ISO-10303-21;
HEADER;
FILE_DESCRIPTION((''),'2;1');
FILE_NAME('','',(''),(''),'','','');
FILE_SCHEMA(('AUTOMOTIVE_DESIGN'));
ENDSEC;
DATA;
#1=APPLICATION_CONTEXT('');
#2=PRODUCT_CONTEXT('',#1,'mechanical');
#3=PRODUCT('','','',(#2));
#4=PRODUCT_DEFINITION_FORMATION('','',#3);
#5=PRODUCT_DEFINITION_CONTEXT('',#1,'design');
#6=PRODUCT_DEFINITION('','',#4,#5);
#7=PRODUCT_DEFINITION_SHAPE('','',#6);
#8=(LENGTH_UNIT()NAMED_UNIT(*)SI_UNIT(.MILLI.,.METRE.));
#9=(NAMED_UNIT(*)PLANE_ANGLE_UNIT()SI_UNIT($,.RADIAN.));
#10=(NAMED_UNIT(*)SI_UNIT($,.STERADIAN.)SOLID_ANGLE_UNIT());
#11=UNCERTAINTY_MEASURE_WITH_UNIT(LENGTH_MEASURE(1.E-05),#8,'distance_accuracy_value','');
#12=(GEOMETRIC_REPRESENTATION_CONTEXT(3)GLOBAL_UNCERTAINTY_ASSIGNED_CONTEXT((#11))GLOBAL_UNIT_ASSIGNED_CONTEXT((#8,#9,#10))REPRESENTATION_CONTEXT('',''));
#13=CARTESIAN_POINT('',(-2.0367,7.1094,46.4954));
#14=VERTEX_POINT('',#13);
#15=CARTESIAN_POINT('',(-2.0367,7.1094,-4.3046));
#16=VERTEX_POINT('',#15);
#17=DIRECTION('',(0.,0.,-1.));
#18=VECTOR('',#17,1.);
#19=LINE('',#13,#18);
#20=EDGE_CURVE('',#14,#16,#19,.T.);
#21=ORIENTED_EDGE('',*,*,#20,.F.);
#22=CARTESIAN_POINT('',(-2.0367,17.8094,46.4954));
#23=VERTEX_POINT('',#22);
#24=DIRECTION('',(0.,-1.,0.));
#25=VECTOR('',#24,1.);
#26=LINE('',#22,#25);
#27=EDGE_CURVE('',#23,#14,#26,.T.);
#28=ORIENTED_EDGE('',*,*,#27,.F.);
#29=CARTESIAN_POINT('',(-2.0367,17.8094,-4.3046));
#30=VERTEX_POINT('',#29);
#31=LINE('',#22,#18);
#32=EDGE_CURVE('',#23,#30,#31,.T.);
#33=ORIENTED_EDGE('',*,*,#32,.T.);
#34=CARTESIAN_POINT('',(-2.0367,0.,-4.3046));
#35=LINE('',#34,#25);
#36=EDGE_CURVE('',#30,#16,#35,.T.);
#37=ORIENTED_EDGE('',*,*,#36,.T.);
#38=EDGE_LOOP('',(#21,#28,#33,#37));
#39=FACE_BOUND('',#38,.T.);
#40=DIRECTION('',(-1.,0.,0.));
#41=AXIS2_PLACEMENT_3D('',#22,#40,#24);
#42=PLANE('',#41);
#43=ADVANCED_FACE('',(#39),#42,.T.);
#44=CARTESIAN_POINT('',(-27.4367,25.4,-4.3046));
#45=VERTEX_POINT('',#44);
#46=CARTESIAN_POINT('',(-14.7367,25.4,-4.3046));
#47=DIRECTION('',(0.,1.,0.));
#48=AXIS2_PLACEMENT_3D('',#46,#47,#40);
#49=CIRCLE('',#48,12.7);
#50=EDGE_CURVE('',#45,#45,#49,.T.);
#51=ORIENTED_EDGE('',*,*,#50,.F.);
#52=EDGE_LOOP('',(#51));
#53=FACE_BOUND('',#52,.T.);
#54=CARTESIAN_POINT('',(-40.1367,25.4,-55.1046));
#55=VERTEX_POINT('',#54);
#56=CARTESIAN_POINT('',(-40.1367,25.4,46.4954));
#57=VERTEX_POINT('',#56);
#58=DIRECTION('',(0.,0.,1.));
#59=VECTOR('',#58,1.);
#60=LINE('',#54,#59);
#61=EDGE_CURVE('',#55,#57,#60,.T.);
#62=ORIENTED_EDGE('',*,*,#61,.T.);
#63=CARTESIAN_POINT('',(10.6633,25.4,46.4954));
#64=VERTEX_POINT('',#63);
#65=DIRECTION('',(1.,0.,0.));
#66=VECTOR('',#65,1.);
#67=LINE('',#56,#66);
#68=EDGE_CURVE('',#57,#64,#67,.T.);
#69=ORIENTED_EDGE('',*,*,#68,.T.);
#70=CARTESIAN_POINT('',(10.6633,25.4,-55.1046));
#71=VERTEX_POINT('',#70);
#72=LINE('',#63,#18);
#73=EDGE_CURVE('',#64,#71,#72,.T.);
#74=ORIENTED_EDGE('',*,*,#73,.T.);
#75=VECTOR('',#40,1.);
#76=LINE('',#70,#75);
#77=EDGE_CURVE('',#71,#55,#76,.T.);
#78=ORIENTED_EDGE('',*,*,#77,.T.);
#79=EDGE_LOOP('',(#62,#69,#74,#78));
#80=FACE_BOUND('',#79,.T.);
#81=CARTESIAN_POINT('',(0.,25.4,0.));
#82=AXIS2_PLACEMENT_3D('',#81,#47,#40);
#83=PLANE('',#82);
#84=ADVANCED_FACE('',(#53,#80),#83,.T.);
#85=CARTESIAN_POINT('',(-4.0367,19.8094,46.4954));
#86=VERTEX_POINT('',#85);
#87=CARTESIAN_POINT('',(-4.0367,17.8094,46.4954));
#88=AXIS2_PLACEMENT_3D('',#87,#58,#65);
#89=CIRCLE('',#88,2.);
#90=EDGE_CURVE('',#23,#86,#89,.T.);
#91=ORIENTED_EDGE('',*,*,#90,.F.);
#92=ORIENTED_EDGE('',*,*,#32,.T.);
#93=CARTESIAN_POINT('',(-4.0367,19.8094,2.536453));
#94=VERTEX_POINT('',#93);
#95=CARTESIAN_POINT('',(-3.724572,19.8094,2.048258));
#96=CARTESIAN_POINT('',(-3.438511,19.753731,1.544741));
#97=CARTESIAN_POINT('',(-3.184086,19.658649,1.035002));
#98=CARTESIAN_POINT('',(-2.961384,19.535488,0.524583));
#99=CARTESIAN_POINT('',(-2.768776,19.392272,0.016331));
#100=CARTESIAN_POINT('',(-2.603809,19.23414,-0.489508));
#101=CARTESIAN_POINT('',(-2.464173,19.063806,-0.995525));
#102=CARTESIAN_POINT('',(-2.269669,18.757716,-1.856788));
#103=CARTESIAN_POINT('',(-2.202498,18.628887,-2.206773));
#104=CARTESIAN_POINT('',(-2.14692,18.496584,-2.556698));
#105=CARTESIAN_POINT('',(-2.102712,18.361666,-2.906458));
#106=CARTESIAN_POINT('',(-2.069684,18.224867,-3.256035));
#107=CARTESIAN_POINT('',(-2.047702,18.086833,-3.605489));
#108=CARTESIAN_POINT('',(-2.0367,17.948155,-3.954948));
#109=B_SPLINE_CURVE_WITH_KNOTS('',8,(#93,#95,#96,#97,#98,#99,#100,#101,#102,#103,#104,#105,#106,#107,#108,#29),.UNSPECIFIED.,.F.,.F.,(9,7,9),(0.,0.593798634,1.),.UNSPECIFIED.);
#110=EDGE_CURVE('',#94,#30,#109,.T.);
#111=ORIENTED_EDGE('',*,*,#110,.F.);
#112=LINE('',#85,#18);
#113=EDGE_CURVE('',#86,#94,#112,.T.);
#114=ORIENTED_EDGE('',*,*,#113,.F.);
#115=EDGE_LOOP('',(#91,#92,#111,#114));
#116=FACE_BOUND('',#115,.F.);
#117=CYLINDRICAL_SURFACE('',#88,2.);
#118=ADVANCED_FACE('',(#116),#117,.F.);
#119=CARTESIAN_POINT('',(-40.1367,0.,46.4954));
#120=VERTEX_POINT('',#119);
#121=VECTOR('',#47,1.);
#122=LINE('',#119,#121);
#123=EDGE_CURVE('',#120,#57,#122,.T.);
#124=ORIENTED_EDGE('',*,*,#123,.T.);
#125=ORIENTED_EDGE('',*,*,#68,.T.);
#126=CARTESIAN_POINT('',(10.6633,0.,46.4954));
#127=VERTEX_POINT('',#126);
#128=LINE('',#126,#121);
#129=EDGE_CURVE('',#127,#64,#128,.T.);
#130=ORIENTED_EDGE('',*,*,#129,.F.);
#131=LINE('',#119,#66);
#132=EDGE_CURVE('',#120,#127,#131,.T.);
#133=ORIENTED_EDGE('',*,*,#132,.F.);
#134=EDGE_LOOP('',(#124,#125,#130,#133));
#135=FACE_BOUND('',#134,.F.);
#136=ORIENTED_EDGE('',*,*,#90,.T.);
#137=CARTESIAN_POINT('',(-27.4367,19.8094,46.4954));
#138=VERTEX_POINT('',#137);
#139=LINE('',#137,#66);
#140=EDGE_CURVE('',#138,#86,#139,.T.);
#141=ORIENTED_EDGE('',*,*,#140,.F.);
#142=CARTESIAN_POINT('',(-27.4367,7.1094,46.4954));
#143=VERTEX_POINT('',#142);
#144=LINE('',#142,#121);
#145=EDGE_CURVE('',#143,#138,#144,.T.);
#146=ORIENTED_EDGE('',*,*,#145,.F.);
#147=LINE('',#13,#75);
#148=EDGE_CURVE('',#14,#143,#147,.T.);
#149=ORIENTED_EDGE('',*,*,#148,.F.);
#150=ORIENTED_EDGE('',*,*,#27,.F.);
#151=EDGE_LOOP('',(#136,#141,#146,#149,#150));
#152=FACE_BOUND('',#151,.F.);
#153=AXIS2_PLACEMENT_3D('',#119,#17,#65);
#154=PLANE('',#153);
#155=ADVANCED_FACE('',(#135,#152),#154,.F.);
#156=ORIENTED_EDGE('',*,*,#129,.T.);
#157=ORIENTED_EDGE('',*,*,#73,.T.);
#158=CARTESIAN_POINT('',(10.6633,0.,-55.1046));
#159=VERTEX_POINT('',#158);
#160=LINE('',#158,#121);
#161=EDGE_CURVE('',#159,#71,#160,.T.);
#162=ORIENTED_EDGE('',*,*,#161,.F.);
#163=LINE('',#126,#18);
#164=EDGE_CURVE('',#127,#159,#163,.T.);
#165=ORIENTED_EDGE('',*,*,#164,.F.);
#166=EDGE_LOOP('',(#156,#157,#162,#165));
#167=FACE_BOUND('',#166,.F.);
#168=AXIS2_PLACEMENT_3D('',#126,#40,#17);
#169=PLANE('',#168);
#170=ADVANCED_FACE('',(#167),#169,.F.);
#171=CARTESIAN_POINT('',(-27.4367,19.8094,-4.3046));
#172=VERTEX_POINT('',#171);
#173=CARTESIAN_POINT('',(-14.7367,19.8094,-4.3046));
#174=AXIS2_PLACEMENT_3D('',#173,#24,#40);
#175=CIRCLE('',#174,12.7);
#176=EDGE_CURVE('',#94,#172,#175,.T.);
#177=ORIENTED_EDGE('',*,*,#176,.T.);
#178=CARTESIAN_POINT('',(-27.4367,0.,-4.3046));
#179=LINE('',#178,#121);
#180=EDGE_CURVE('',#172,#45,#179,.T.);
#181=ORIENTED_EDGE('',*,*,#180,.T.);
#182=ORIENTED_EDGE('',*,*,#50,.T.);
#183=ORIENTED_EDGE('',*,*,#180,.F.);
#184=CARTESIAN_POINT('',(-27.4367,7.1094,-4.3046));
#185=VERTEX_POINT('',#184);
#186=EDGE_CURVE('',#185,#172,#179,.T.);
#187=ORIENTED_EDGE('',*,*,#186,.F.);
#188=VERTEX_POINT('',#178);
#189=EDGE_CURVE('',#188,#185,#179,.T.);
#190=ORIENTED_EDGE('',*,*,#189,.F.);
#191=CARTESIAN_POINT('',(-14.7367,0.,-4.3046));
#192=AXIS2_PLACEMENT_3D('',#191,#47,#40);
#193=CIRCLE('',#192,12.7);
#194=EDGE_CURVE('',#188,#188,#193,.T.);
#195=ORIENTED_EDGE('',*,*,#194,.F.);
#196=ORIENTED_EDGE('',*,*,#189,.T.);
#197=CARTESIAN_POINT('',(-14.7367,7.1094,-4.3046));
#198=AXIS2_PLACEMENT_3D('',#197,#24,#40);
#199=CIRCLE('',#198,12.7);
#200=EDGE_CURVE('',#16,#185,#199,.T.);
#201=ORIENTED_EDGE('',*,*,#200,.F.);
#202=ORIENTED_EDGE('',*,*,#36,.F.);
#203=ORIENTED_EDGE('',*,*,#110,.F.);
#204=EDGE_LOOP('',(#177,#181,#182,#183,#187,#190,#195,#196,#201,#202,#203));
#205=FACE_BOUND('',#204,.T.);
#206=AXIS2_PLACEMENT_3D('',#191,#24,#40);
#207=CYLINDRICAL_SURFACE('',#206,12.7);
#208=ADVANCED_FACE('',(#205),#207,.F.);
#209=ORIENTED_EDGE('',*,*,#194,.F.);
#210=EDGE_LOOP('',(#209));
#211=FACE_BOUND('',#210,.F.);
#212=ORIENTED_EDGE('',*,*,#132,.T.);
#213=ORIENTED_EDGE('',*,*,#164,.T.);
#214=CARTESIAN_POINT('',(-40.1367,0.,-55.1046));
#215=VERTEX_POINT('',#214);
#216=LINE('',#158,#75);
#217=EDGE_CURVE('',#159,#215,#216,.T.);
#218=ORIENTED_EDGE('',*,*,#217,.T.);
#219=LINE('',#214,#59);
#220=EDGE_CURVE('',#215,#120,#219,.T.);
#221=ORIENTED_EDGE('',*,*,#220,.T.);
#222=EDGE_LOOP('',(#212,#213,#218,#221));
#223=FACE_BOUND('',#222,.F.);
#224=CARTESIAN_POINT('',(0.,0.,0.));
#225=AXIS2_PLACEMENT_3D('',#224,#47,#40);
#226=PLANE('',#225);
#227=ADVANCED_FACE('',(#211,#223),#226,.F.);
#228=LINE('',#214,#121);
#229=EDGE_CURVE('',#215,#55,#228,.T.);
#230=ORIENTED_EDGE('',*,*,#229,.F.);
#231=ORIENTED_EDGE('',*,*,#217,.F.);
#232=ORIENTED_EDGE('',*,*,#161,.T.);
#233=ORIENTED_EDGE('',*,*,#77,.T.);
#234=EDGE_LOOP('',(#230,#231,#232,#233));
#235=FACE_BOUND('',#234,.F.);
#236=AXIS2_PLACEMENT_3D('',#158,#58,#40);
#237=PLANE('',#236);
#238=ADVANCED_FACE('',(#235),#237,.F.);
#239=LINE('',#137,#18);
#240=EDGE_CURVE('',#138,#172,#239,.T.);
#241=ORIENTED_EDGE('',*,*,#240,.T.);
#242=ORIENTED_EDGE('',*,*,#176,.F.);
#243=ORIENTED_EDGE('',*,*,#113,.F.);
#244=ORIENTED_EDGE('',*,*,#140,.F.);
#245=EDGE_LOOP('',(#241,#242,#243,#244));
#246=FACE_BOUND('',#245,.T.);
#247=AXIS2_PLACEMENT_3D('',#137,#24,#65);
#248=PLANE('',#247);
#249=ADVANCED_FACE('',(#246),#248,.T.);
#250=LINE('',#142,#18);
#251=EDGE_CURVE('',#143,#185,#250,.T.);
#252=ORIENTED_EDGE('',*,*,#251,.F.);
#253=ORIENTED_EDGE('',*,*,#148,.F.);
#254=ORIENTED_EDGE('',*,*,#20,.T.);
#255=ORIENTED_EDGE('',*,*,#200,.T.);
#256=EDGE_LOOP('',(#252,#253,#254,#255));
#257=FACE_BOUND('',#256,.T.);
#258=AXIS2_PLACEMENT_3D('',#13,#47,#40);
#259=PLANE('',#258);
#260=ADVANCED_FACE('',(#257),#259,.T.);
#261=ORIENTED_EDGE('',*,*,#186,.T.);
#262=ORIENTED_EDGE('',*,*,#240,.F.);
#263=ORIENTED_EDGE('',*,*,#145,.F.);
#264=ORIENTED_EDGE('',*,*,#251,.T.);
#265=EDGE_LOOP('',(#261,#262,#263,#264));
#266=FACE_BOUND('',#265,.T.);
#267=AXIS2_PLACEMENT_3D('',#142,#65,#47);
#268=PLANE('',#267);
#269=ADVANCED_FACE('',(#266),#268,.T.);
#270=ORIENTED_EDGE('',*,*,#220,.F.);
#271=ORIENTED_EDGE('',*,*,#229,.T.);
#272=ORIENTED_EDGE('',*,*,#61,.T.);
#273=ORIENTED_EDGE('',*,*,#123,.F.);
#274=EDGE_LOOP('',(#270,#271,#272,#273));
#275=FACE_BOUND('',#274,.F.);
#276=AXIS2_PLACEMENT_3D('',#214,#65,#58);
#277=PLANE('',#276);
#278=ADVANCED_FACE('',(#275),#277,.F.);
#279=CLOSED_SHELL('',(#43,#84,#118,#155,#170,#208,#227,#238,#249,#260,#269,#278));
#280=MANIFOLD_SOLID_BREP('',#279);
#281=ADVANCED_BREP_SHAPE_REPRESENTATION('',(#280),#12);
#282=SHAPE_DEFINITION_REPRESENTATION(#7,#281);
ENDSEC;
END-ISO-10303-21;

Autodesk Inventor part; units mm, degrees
ref_plane "YZ Plane" through (0, 0, 0) normal (1, 0, 0) x (0, 1, 0)
ref_plane "XZ Plane" through (0, 0, 0) normal (0, 1, 0) x (-1, 0, 0)
ref_plane "XY Plane" through (0, 0, 0) normal (0, 0, 1) x (1, 0, 0)
sketch "Sketch1" plane through (0, 0, 0) normal (0, 1, 0) x (-1, 0, 0)
  line L0 (40.1367, 46.4954) -> (-10.6633, 46.4954)
  line L1 (-10.6633, 46.4954) -> (-10.6633, -55.1046)
  line L2 (-10.6633, -55.1046) -> (40.1367, -55.1046)
  line L3 (40.1367, -55.1046) -> (40.1367, 46.4954)
  circle A0 centre (14.7367, -4.3046) radius 12.7
  point P0 (0, 0)
  dimension "d0" = 101.6
  dimension "d1" = 50.8
  dimension "d21" = 25.4
  dimension "d22" = 50.8
extrude "Extrusion1" add sketch "Sketch1" along normal blind 25.4
sketch "Sketch2" plane through (-40.1367, 0, 46.4954) normal (0, 0, 1) x (1, 0, 0)
  line L0 (12.7, 19.8094) -> (36.1, 19.8094)
  line L1 (38.1, 17.8094) -> (38.1, 7.1094)
  line L2 (38.1, 7.1094) -> (12.7, 7.1094)
  line L3 (12.7, 7.1094) -> (12.7, 19.8094)
  line L4 (50.8, 0) -> (50.8, 25.4) projected
  line L5 (0, 0) -> (0, 25.4) projected
  arc A0 (38.1, 17.8094) -> (36.1, 19.8094) centre (36.1, 17.8094) ccw
  point P0 (40.1367, 0)
  point P1 (38.1, 19.8094)
  dimension "d5" = 25.4
  dimension "d6" = 12.7
  dimension "d7" = 12.7
  dimension "d8" = 12.7
  dimension "d9" = 12.7
  dimension "d10" = 2
extrude "Extrusion2" cut sketch "Sketch2" against normal up to next
equation "\"d1\" = 0.5 * d0"
equation "\"d21\" = 0.5 * d1"
equation "\"d22\" = 0.5 * d0"
properties part number "Block"
